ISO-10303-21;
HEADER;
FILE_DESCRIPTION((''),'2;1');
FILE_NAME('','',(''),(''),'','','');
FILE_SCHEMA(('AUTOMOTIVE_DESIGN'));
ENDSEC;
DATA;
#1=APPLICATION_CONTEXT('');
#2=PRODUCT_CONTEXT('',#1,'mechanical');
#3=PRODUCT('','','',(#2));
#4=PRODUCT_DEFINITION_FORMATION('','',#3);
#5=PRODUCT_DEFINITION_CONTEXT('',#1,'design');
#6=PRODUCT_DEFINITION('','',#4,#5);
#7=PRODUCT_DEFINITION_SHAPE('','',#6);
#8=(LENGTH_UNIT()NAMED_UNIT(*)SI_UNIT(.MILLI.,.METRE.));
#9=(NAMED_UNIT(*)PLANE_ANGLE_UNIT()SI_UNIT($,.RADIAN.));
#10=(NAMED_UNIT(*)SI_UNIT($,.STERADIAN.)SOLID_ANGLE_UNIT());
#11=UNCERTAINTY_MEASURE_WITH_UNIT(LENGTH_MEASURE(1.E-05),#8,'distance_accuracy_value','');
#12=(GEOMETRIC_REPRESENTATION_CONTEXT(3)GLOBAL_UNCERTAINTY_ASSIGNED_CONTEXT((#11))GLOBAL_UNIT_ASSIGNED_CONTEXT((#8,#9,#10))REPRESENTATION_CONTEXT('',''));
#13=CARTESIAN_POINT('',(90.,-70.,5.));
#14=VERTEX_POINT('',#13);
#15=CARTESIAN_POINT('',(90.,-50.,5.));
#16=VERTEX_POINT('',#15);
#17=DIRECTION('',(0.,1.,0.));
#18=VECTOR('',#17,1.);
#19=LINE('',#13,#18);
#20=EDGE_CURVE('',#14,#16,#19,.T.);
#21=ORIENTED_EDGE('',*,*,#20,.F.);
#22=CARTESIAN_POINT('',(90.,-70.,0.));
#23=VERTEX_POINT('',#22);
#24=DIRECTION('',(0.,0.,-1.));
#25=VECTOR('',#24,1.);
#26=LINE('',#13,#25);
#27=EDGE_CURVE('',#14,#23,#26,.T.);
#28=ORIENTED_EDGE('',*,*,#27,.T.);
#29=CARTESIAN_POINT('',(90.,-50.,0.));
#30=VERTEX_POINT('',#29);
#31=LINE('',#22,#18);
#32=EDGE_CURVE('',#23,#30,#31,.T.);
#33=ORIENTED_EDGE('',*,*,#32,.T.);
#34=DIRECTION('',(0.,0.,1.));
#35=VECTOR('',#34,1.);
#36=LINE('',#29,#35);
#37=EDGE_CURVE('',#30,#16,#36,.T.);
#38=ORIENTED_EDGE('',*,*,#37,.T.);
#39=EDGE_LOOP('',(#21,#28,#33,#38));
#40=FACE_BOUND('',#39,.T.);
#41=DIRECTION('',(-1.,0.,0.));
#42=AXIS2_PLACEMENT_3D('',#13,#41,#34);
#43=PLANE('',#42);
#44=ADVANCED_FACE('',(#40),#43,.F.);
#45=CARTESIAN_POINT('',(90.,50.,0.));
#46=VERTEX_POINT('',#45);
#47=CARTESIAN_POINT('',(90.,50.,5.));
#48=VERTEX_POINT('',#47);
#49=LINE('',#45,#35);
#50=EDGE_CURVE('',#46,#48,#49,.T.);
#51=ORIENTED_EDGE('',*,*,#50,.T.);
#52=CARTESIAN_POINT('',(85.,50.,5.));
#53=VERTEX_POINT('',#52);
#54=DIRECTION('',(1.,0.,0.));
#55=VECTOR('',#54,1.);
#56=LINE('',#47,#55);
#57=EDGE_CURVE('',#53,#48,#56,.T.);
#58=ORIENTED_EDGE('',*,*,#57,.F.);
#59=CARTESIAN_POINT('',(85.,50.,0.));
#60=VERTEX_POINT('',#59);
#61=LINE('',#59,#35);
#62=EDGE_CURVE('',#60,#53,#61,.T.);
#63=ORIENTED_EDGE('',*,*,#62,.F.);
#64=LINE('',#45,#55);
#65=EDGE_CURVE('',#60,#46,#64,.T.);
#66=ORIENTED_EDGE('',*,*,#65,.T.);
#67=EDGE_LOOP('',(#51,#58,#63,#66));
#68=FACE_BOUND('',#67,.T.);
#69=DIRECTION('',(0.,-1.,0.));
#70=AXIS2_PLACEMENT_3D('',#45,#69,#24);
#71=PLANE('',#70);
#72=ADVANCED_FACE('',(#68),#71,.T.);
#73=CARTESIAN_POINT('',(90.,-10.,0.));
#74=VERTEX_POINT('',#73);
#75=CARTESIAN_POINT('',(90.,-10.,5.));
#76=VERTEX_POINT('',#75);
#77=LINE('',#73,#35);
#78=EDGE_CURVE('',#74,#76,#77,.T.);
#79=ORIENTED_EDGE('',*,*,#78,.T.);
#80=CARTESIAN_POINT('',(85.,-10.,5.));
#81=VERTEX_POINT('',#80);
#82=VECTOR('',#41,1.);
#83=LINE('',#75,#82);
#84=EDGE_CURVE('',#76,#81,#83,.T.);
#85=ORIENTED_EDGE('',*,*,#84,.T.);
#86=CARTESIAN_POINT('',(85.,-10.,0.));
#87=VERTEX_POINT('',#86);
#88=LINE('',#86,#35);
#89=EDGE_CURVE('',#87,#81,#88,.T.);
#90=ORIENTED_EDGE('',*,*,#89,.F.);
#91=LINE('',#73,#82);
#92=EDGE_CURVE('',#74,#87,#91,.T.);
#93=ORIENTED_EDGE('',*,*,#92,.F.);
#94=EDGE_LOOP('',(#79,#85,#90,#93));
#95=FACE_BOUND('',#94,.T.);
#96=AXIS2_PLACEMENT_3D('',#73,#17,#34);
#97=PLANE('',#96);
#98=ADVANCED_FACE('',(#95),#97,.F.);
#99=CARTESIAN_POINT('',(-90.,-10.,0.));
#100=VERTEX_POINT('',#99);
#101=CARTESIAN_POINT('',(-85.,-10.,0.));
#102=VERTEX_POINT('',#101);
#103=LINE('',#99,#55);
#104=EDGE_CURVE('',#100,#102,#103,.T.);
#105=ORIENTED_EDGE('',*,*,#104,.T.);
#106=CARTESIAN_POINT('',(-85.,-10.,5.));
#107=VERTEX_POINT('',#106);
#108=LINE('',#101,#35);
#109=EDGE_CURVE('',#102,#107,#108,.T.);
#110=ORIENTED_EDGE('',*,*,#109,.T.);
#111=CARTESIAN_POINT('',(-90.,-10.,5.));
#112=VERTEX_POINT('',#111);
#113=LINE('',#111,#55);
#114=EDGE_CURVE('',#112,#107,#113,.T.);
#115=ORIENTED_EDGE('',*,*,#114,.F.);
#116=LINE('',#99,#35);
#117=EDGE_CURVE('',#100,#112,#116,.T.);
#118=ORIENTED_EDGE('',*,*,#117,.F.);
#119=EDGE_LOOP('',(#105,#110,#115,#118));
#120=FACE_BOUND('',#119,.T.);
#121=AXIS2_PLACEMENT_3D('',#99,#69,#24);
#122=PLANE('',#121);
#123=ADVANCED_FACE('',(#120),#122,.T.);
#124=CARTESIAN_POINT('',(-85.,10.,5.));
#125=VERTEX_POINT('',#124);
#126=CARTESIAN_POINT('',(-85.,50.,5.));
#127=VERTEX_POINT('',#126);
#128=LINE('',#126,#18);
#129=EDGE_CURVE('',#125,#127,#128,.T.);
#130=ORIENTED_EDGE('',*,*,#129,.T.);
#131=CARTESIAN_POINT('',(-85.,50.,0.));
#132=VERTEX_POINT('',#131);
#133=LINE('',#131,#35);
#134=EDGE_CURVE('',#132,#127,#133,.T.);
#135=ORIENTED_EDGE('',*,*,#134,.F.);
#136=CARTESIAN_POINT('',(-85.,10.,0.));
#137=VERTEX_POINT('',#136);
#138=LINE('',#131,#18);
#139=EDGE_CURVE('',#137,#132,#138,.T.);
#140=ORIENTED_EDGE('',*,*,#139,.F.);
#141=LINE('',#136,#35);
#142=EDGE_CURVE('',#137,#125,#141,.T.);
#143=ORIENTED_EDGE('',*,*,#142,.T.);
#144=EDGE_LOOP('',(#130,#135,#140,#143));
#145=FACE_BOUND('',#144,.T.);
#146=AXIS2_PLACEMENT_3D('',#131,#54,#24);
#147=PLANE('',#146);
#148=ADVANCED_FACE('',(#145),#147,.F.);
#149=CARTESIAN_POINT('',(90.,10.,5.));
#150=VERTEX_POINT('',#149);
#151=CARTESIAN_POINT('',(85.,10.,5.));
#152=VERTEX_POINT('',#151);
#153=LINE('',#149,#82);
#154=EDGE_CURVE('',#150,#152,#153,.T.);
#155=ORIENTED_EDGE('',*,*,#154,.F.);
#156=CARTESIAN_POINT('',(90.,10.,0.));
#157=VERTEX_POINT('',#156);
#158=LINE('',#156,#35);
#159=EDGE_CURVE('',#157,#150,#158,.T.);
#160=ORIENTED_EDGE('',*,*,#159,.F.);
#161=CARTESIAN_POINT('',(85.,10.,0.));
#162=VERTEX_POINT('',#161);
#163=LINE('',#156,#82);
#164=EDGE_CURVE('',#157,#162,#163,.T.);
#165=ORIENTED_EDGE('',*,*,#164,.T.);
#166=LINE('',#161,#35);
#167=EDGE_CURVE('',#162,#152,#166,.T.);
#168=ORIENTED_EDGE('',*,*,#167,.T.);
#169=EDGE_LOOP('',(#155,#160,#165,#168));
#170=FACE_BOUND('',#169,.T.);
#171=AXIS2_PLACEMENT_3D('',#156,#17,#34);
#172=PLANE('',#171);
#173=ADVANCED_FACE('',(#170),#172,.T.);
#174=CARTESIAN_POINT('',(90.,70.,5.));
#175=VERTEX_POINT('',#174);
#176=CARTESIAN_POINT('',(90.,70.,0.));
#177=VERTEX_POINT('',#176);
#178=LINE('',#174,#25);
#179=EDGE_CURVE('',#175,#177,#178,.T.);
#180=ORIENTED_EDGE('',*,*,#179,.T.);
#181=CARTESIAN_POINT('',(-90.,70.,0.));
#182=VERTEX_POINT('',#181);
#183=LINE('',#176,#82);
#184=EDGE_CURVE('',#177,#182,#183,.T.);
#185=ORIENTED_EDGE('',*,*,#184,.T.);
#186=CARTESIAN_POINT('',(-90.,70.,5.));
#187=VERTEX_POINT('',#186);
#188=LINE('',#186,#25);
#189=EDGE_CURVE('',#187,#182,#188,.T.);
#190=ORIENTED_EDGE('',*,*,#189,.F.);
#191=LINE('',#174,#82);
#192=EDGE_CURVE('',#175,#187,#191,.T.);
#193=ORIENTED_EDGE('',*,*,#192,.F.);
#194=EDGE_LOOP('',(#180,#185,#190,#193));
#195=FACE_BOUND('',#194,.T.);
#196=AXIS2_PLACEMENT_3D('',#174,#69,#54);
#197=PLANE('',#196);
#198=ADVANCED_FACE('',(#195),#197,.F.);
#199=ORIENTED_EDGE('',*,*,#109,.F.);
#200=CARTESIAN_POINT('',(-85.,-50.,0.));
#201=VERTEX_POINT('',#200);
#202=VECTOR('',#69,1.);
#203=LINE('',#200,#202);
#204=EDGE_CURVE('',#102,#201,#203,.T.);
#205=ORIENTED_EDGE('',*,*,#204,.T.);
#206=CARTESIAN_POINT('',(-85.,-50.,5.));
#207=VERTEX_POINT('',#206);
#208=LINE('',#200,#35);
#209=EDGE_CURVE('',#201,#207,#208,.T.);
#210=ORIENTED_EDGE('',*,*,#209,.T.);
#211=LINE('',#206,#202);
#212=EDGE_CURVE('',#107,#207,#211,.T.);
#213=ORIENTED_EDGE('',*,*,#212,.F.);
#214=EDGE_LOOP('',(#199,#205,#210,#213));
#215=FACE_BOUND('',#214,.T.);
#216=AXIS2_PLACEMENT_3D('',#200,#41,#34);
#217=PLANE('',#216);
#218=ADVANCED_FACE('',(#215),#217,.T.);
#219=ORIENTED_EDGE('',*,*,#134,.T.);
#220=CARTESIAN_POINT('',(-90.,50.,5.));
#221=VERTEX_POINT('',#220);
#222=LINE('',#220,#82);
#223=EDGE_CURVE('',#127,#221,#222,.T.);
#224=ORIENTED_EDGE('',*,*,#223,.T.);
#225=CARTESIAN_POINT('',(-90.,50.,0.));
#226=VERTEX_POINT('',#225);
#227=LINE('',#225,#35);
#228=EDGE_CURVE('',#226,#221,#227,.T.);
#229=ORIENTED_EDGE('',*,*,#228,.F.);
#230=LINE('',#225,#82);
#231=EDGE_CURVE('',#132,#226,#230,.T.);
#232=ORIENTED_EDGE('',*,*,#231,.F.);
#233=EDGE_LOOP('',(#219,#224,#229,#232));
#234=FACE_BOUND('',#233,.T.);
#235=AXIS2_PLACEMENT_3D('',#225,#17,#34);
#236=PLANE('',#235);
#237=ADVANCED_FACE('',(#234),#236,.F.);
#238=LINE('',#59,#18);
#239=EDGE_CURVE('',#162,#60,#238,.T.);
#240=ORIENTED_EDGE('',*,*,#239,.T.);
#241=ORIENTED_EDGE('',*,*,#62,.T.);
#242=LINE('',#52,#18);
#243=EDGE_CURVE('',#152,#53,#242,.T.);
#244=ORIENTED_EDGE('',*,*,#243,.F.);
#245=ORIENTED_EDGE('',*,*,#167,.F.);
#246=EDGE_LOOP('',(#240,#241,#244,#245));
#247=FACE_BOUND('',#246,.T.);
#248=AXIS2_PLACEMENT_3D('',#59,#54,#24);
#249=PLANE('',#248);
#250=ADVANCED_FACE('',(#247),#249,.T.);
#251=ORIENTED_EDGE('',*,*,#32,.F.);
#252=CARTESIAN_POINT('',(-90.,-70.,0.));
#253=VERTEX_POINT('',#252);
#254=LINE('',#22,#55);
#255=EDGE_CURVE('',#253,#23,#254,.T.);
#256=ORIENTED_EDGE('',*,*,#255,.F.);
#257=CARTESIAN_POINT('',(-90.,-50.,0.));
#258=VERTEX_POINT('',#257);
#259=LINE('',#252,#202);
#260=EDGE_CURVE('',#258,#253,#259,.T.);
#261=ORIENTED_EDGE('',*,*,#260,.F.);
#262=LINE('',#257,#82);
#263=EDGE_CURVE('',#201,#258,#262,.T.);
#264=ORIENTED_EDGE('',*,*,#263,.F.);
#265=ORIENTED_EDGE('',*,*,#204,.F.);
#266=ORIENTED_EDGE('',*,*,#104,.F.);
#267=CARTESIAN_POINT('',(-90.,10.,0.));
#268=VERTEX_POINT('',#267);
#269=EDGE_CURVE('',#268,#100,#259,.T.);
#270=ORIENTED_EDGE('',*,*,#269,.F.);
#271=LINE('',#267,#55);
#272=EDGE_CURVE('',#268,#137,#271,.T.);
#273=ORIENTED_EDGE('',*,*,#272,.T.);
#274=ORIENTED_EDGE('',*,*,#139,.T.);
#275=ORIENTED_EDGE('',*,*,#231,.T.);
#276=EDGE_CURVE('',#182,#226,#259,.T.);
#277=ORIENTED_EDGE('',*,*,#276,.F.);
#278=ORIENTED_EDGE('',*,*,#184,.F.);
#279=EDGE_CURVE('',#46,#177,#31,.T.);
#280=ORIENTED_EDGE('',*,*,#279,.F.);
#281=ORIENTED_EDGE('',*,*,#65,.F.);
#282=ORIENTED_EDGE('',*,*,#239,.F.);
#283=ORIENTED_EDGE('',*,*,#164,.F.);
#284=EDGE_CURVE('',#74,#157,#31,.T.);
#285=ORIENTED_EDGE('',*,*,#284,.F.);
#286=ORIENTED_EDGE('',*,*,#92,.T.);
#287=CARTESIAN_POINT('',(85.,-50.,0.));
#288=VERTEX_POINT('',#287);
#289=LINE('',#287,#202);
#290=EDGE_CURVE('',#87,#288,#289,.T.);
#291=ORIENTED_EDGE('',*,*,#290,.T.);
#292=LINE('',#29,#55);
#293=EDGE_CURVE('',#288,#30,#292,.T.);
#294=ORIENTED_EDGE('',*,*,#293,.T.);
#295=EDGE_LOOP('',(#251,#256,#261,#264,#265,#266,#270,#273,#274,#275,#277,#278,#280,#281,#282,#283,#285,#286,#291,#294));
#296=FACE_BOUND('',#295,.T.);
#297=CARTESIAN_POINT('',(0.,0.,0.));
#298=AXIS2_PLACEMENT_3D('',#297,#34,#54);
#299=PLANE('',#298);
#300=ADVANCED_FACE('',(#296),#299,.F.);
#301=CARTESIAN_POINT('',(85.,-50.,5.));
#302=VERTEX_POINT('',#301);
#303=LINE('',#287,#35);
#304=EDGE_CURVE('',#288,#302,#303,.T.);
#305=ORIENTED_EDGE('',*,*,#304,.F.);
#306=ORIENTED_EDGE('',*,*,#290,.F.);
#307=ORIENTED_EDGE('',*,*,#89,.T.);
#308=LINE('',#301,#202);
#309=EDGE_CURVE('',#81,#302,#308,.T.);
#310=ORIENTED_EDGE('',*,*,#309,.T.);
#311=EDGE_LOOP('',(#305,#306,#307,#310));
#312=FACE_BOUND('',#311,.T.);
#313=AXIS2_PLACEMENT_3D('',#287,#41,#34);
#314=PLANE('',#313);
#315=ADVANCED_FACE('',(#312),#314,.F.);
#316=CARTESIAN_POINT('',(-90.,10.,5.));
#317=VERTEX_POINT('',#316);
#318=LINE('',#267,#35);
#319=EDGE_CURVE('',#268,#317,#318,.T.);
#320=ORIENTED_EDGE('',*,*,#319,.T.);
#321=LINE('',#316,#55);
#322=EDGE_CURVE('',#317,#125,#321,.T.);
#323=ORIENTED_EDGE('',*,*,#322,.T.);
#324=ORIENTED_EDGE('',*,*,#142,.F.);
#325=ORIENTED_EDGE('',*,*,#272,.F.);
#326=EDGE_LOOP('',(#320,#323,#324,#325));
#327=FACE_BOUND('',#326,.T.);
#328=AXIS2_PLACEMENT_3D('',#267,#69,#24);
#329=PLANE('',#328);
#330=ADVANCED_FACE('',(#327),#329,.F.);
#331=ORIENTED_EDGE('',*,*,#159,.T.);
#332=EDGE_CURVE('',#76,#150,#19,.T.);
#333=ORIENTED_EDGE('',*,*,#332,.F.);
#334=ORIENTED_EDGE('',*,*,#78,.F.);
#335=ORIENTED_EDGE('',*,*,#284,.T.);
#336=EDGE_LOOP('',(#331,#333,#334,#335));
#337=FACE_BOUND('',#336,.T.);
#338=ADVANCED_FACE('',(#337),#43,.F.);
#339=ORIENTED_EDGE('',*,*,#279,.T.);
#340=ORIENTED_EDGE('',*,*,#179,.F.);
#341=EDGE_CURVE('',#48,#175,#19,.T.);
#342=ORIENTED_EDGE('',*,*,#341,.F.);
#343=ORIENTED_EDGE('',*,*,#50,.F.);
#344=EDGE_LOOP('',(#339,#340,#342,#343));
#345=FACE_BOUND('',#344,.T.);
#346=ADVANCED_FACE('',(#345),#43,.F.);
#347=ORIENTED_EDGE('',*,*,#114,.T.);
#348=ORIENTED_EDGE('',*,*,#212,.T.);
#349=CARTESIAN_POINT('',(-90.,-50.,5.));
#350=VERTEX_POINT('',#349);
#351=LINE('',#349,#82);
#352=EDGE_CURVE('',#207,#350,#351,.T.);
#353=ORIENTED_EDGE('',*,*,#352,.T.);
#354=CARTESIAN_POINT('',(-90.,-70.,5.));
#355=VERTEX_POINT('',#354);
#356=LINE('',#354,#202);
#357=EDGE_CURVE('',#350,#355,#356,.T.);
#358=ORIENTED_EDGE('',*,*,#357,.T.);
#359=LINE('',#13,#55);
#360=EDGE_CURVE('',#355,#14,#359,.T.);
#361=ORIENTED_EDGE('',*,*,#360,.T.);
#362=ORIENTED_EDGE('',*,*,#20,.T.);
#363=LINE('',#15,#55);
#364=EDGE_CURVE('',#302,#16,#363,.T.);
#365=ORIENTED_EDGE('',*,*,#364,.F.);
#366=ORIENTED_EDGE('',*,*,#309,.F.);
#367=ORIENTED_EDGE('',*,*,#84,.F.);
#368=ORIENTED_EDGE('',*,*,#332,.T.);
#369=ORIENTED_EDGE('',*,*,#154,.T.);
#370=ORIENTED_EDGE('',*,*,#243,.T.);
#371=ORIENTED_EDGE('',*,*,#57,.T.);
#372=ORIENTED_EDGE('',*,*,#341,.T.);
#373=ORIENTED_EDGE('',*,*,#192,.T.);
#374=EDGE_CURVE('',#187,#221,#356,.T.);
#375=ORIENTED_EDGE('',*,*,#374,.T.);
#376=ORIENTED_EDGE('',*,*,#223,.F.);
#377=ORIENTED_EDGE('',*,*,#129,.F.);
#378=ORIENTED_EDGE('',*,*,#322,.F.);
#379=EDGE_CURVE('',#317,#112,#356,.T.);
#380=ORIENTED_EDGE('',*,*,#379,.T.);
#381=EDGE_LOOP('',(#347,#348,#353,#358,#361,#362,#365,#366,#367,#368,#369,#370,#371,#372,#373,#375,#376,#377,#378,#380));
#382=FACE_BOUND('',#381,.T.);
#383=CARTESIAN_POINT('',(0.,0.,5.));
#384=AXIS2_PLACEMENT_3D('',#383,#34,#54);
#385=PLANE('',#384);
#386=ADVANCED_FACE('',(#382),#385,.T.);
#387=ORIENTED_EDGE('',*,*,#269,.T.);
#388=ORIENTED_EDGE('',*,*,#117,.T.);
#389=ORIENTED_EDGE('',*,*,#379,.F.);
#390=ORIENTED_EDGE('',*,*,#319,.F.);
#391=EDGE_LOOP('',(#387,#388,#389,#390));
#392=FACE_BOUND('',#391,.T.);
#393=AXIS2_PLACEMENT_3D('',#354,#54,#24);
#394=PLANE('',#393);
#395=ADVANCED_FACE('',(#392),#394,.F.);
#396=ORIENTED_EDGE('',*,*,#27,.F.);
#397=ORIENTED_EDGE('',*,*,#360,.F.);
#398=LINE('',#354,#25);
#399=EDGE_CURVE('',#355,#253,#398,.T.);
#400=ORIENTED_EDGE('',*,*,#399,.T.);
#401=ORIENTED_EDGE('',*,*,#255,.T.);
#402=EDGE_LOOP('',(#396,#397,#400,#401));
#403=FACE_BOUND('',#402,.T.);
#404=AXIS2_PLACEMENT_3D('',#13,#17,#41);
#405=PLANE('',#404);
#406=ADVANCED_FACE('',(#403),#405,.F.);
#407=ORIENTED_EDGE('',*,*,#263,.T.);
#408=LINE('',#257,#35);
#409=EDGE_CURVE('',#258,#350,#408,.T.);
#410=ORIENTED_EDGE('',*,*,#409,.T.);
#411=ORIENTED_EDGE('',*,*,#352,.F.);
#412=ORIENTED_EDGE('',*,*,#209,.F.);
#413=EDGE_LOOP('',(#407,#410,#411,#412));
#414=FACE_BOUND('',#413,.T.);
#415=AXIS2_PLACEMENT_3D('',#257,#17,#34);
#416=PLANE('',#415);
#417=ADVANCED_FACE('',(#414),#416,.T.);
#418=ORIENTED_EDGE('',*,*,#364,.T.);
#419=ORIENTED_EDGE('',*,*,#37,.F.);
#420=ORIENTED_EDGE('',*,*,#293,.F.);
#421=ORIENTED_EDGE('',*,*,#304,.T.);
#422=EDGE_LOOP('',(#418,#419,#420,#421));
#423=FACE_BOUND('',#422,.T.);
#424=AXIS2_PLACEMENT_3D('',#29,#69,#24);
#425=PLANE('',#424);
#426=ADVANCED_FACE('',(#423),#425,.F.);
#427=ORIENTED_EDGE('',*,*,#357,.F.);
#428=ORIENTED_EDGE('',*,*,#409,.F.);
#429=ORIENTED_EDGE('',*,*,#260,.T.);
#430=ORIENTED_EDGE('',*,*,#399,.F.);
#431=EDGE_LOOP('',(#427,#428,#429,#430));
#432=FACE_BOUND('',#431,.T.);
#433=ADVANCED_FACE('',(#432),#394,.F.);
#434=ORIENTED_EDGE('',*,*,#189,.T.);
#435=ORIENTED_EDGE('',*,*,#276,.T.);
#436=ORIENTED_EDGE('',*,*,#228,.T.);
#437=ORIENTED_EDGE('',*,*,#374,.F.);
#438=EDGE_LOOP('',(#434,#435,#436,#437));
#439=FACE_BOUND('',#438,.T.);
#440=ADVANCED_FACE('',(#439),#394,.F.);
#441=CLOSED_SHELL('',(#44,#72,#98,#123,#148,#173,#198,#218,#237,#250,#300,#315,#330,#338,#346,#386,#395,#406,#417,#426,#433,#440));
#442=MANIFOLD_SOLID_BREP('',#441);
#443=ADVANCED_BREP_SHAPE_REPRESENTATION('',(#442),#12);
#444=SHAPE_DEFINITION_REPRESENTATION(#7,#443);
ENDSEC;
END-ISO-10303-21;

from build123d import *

# Parameters (mm, degrees)
CROQUIS1_W                = 180
CROQUIS1_H                = 140
SALIENTE_EXTRUIR1_DEPTH   = 5
CROQUIS4_W                = 5
CROQUIS4_H                = 40
CORTAR_EXTRUIR3_DEPTH     = 115.127122105
SIMETR_A5_COPY_1_SKETCH_W = 5
SIMETR_A5_COPY_1_SKETCH_H = 40
SIMETR_A5_COPY_1_DEPTH    = 115.127122105


with BuildPart() as part:
    # Croquis1 → Saliente-Extruir1 (new body)
    with BuildSketch(Plane.XY):
        Rectangle(CROQUIS1_W, CROQUIS1_H)
    extrude(amount=SALIENTE_EXTRUIR1_DEPTH)

    # Croquis4 → Cortar-Extruir3 (cut, through all)
    with BuildSketch(Plane.XY.offset(5)):
        with Locations((-87.5, 30)):
            Rectangle(CROQUIS4_W, CROQUIS4_H)
    cortar_extruir3 = extrude(amount=-CORTAR_EXTRUIR3_DEPTH, mode=Mode.SUBTRACT)

    # Simetría4: Cortar-Extruir3 across plane
    add(cortar_extruir3.mirror(Plane.ZX), mode=Mode.SUBTRACT)

    # Simetría5: Cortar-Extruir3 across plane
    add(cortar_extruir3.mirror(Plane(origin=(0, 0, 0), x_dir=(0, 0, 1), z_dir=(1, 0, 0))), mode=Mode.SUBTRACT)

    # Simetría5 copy 1 sketch → Simetría5 copy 1 (cut, through all)
    with BuildSketch(Plane(origin=(0, 0, 5), x_dir=(-1, 0, 0), z_dir=(0, 0, 1))):
        with Locations((-87.5, 30)):
            Rectangle(SIMETR_A5_COPY_1_SKETCH_W, SIMETR_A5_COPY_1_SKETCH_H)
    extrude(amount=-SIMETR_A5_COPY_1_DEPTH, mode=Mode.SUBTRACT)


solid = part.part
